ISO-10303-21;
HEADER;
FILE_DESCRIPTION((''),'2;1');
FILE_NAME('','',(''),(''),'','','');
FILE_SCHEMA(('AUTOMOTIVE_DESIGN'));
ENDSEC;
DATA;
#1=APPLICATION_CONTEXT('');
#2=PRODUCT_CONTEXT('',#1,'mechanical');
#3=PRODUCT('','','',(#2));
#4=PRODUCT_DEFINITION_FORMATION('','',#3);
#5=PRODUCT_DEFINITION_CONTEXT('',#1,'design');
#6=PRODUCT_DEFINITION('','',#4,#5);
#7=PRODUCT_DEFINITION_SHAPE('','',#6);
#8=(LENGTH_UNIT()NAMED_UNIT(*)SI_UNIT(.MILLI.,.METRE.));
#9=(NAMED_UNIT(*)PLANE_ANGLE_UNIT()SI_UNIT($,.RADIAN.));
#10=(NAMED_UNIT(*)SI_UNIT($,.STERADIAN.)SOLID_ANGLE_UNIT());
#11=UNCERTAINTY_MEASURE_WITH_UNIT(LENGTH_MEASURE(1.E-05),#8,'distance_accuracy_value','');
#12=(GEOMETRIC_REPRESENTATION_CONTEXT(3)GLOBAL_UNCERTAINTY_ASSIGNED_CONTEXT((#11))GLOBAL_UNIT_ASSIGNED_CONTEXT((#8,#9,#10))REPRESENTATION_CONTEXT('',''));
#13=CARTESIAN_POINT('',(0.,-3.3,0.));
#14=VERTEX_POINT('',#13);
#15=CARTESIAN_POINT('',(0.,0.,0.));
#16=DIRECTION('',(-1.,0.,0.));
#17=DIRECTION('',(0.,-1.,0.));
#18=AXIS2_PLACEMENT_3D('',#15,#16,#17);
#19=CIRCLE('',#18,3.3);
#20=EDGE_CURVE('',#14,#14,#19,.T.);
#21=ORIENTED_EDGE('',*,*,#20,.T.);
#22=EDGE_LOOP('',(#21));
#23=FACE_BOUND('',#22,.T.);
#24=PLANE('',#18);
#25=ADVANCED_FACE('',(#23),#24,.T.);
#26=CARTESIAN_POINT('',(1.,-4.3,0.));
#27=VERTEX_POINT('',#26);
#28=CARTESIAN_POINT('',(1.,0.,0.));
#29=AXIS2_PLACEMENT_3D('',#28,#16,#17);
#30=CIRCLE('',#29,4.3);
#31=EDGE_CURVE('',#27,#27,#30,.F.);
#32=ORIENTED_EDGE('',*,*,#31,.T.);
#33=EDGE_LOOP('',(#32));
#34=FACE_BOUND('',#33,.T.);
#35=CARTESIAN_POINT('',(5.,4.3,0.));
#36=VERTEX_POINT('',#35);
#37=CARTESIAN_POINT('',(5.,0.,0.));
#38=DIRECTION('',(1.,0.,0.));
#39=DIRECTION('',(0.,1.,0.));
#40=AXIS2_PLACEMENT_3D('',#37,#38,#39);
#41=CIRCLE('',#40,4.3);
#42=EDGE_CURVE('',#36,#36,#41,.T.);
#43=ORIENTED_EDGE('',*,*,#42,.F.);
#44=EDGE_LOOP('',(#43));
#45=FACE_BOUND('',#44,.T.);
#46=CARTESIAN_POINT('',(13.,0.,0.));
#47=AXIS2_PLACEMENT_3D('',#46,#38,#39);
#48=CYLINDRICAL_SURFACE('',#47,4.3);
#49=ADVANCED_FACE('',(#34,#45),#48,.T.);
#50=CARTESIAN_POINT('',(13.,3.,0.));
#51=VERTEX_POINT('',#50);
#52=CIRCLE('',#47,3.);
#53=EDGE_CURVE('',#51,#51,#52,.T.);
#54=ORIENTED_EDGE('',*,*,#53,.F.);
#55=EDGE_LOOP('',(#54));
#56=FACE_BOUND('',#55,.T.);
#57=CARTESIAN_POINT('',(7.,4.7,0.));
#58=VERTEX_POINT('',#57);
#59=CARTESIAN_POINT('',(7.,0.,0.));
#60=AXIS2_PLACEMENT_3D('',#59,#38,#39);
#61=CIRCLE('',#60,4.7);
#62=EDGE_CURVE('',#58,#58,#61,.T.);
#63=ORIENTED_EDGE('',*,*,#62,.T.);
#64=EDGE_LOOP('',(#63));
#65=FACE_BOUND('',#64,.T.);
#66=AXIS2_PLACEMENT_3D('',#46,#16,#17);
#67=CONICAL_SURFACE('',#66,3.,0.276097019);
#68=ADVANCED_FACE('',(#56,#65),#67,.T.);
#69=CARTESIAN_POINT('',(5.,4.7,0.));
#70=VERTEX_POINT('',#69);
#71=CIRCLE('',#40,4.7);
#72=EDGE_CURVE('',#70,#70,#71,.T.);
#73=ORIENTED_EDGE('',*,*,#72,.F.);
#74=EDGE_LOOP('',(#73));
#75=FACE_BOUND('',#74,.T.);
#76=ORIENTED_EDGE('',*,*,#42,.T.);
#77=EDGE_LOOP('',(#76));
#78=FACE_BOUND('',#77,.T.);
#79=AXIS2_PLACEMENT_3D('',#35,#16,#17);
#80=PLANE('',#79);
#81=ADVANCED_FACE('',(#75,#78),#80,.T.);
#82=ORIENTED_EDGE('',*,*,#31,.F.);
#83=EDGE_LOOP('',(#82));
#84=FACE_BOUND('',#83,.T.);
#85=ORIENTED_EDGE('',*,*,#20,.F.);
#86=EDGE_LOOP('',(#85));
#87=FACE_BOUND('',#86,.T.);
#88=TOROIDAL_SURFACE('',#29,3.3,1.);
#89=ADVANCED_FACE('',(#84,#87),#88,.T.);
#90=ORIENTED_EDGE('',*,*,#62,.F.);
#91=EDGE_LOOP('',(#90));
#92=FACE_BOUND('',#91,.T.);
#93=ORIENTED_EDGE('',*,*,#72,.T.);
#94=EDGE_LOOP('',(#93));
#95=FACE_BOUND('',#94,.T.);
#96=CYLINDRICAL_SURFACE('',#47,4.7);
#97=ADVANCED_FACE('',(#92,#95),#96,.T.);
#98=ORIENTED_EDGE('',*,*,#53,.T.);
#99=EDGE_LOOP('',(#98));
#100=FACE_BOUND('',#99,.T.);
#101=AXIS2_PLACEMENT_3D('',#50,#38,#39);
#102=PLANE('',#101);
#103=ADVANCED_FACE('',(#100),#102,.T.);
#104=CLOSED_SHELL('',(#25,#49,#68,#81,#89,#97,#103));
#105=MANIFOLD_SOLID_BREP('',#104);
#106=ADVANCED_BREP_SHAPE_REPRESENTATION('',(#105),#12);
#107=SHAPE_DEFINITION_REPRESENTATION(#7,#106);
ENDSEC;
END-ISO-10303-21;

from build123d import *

# Parameters (mm, degrees)
FILETE1_R = 1


with BuildPart() as part:
    # Esboço1 → Revolução1 (revolve)
    with BuildSketch(Plane.XY):
        Polygon((0, 0), (0, 4.3), (5, 4.3), (5, 4.7), (7, 4.7), (13, 3), (13, 0), align=None)
    revolve(axis=Axis((13, 0, 0), (-1, 0, 0)))

    # Filete1
    filete1_edges = [part.edges().sort_by_distance(p)[0] for p in [
        (0, -4.3, 0),
    ]]
    fillet(filete1_edges, radius=FILETE1_R)


solid = part.part
